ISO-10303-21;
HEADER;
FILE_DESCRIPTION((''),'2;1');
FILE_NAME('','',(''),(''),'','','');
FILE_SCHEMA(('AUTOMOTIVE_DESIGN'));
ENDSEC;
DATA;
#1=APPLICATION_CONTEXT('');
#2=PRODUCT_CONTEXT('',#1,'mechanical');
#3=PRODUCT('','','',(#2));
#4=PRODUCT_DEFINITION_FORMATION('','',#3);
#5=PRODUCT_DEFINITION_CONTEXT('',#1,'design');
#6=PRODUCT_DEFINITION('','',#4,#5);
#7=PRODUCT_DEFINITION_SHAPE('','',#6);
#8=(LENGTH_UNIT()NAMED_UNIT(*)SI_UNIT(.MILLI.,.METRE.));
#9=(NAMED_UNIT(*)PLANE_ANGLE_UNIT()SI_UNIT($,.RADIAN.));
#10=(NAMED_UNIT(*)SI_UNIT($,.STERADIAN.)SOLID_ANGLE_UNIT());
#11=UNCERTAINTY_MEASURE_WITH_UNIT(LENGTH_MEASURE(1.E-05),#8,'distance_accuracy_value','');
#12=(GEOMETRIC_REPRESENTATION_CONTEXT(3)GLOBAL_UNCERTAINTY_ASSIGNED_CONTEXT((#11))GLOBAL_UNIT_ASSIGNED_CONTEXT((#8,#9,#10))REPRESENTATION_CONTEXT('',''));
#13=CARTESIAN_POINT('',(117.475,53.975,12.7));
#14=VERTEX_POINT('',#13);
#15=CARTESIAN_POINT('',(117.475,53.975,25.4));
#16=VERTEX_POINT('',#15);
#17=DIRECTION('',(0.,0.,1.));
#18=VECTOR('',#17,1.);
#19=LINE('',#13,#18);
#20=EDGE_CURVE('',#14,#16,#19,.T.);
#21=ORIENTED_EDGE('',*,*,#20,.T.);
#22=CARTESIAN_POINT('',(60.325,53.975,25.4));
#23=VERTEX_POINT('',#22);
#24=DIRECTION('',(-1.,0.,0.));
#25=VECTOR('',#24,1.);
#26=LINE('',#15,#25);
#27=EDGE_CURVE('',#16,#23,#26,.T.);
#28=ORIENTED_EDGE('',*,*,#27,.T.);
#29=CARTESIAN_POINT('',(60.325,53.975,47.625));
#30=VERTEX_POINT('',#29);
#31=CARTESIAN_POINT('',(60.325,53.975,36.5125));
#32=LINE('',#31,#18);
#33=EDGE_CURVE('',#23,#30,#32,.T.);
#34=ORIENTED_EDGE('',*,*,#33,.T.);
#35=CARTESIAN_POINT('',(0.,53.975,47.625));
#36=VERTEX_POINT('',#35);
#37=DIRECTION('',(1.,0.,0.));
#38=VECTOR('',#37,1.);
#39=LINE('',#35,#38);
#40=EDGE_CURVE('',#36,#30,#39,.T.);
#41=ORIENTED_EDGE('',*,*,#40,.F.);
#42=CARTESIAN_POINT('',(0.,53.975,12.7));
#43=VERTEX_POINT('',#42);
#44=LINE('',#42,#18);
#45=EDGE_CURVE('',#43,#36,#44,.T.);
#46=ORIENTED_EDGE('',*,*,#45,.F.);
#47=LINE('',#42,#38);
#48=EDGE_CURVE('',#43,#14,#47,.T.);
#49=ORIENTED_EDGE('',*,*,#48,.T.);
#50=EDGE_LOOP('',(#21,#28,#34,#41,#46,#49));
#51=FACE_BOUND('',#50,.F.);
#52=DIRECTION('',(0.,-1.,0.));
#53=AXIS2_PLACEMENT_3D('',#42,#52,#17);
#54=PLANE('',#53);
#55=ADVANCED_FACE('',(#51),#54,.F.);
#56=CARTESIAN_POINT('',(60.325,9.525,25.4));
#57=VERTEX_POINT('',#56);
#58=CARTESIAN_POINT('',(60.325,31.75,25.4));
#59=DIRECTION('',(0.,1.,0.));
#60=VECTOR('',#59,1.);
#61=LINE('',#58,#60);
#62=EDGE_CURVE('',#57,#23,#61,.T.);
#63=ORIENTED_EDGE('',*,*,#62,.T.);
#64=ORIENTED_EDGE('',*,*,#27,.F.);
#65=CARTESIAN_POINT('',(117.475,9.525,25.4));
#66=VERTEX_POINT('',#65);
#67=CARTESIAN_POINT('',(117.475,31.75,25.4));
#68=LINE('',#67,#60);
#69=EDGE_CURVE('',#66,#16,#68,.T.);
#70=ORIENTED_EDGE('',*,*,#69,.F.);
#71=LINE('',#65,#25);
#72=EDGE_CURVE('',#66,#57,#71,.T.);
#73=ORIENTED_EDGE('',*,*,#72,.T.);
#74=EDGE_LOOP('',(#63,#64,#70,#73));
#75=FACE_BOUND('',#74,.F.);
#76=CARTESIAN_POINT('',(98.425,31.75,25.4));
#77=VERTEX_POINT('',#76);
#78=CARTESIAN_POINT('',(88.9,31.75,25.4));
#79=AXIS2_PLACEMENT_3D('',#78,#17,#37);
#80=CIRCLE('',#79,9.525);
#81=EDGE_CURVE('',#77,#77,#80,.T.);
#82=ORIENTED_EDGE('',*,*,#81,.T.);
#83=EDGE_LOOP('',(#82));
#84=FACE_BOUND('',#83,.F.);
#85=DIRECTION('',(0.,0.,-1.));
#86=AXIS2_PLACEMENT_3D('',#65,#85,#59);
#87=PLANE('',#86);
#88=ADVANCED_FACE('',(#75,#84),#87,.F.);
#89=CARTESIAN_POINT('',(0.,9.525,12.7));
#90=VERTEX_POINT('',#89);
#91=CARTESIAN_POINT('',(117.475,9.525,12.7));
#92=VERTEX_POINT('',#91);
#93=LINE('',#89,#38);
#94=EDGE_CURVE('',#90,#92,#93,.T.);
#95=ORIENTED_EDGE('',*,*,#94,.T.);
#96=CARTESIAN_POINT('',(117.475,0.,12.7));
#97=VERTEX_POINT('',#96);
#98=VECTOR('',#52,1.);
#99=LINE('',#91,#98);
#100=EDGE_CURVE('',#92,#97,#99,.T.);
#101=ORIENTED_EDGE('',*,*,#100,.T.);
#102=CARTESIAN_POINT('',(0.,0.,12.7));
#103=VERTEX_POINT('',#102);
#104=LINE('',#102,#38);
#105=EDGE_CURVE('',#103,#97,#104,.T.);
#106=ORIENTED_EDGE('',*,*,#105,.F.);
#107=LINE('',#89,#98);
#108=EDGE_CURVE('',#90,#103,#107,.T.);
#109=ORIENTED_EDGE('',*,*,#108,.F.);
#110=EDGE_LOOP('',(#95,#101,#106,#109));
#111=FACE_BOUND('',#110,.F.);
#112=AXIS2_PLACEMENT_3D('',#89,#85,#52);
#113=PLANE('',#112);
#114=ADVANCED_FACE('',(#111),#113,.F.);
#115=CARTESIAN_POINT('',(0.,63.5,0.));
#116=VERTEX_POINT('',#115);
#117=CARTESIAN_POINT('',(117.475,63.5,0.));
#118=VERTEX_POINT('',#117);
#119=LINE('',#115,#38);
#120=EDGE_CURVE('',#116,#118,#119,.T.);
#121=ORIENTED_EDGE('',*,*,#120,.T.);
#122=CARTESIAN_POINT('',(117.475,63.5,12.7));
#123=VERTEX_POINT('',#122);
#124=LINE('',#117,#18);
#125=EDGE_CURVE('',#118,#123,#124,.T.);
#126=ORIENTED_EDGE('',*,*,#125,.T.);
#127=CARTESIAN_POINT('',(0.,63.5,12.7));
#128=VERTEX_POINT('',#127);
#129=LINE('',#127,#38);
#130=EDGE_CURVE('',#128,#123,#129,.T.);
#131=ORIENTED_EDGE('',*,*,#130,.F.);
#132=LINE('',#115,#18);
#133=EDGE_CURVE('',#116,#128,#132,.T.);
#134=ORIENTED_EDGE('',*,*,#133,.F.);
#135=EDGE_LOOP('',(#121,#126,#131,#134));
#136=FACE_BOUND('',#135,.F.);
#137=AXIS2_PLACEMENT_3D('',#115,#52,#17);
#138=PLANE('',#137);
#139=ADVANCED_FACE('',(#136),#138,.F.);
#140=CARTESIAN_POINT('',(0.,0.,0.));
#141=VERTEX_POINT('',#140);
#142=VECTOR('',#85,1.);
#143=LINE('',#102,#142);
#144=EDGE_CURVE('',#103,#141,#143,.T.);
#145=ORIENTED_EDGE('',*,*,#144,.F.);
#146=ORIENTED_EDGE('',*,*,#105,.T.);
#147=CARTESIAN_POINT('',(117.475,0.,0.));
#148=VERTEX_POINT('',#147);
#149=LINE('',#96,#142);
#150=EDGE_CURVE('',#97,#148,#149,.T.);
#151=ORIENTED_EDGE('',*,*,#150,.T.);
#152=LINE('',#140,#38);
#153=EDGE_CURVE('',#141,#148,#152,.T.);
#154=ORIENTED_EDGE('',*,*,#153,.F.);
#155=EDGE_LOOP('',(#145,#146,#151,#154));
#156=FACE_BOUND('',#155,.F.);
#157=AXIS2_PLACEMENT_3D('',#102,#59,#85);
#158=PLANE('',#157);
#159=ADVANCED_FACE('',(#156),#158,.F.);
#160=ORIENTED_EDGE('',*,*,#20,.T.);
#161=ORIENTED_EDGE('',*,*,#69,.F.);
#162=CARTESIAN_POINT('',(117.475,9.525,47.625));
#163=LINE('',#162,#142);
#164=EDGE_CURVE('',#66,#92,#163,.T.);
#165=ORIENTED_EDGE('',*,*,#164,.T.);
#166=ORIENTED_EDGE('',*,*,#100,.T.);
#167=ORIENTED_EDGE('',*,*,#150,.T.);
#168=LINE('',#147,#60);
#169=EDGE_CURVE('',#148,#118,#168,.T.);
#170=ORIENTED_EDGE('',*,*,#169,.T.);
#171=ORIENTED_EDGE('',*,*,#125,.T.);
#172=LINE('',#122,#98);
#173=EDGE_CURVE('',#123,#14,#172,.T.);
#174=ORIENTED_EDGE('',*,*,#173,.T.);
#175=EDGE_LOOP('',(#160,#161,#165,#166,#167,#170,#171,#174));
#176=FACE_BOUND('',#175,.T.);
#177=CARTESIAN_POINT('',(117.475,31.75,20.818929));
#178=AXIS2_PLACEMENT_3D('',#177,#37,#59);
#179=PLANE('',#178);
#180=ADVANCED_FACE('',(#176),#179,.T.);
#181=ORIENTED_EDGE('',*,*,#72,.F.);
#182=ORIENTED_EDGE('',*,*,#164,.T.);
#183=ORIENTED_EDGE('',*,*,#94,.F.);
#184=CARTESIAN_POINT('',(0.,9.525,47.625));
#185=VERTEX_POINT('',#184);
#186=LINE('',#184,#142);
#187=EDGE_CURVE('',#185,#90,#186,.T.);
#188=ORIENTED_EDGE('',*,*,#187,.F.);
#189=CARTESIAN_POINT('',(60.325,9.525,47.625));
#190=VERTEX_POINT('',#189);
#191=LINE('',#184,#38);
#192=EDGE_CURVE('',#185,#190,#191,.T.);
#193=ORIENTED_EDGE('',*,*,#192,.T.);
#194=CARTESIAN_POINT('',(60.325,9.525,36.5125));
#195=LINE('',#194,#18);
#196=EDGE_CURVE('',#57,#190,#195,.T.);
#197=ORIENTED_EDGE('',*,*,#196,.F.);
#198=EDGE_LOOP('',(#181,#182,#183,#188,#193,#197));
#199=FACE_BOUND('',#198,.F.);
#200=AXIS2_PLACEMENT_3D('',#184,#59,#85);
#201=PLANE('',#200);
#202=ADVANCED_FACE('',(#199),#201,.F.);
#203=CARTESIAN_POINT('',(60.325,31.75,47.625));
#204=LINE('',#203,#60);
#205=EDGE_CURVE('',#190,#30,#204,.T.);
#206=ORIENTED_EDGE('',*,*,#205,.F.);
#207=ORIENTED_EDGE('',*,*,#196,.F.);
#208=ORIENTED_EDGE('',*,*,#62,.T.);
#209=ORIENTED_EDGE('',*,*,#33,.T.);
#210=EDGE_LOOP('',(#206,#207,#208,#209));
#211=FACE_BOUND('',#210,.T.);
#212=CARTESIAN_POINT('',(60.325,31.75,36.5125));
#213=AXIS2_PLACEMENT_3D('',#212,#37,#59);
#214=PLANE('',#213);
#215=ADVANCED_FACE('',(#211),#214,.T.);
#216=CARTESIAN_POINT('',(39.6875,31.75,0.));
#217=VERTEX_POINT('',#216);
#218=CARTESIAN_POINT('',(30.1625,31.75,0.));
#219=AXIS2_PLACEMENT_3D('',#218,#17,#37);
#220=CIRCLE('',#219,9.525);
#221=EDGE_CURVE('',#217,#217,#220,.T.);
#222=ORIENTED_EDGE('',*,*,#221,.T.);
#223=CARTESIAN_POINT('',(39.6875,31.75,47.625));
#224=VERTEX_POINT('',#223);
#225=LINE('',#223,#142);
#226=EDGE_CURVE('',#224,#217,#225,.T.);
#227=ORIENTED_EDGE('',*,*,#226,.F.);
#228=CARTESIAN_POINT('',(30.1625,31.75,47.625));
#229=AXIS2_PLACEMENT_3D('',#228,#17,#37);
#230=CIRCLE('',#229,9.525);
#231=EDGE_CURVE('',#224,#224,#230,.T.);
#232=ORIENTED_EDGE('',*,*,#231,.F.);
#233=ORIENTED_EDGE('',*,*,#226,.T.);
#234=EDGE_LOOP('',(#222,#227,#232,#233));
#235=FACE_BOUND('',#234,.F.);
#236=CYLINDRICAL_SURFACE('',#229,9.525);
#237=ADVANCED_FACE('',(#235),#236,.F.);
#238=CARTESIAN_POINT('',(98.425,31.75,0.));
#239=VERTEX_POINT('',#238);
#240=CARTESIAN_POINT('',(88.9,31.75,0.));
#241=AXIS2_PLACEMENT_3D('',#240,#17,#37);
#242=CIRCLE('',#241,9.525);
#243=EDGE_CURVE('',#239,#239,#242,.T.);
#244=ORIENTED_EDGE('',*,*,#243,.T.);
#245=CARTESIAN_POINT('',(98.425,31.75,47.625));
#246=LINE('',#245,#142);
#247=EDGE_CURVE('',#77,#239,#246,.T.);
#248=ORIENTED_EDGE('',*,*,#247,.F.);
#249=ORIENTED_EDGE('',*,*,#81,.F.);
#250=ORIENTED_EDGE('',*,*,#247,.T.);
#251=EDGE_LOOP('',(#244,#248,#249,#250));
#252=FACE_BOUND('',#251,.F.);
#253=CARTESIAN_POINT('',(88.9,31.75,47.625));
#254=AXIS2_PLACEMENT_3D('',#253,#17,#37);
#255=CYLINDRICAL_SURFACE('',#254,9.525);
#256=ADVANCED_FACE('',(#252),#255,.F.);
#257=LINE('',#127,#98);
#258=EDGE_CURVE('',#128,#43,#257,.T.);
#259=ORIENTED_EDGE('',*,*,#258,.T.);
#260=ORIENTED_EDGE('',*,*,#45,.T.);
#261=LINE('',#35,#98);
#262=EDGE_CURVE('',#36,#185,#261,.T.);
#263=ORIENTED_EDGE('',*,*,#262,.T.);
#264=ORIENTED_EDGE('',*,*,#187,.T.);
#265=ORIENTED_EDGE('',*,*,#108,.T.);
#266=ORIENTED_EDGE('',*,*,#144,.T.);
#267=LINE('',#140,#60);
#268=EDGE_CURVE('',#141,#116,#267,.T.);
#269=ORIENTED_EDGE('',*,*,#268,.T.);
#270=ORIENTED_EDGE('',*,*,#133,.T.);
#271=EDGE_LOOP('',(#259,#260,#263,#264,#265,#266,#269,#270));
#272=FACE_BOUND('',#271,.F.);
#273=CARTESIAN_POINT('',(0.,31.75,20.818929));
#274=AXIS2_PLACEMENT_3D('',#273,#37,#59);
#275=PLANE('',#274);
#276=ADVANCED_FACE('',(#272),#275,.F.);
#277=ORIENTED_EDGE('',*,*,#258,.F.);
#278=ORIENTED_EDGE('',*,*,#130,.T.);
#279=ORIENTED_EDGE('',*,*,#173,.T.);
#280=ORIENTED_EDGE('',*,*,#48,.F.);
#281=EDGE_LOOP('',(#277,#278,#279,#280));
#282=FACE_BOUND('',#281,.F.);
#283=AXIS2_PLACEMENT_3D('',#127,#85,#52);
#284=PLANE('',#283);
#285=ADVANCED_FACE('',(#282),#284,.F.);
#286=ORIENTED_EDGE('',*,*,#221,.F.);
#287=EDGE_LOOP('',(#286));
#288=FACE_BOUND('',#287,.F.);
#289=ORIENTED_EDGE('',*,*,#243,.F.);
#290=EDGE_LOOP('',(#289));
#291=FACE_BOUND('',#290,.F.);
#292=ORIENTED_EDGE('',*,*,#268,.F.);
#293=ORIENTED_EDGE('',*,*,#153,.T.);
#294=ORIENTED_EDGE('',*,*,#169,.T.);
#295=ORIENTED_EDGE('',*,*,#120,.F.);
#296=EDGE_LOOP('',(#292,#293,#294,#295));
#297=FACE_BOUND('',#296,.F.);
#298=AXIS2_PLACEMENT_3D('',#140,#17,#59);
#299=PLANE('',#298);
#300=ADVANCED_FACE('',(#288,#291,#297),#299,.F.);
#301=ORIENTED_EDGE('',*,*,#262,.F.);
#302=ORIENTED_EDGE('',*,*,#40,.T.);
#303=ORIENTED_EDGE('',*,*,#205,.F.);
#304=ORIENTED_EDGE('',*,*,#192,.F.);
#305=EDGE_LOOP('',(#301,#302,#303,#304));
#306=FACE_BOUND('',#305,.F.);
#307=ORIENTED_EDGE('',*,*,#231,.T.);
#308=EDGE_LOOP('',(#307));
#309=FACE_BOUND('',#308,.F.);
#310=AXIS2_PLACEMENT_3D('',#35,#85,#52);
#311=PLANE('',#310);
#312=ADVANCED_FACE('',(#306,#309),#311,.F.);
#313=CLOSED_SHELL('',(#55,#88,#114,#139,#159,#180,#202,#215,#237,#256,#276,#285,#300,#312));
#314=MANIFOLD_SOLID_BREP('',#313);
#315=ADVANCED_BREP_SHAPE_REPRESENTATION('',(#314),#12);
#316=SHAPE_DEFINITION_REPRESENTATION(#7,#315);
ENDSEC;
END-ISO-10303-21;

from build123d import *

# Parameters (mm, degrees)
F1_DEPTH = 117.475
F2_R     = 9.525
F3_DEPTH = 161.29
F4_W     = 44.45
F4_H     = 22.225
F5_DEPTH = 57.15


with BuildPart() as f1:
    # F0 (on Right) → F1 (new body)
    with BuildSketch(Plane.YZ):
        Polygon((0, 12.7), (0, 0), (63.5, 0), (63.5, 12.7), (53.975, 12.7), (53.975, 47.625), (9.525, 47.625), (9.525, 12.7), align=None)
    extrude(amount=F1_DEPTH)

    # F2 (on face) → F3 (cut)
    with BuildSketch(Plane.XY.offset(47.625)):
        with Locations((30.1625, 31.75)):
            Circle(F2_R)
        with Locations((88.9, 31.75)):
            Circle(F2_R)
    extrude(amount=-F3_DEPTH, mode=Mode.SUBTRACT)

    # F4 (on face) → F5 (cut)
    with BuildSketch(Plane.YZ.offset(117.475)):
        with Locations((31.75, 36.5125)):
            Rectangle(F4_W, F4_H)
    extrude(amount=-F5_DEPTH, mode=Mode.SUBTRACT)


solid = f1.part
